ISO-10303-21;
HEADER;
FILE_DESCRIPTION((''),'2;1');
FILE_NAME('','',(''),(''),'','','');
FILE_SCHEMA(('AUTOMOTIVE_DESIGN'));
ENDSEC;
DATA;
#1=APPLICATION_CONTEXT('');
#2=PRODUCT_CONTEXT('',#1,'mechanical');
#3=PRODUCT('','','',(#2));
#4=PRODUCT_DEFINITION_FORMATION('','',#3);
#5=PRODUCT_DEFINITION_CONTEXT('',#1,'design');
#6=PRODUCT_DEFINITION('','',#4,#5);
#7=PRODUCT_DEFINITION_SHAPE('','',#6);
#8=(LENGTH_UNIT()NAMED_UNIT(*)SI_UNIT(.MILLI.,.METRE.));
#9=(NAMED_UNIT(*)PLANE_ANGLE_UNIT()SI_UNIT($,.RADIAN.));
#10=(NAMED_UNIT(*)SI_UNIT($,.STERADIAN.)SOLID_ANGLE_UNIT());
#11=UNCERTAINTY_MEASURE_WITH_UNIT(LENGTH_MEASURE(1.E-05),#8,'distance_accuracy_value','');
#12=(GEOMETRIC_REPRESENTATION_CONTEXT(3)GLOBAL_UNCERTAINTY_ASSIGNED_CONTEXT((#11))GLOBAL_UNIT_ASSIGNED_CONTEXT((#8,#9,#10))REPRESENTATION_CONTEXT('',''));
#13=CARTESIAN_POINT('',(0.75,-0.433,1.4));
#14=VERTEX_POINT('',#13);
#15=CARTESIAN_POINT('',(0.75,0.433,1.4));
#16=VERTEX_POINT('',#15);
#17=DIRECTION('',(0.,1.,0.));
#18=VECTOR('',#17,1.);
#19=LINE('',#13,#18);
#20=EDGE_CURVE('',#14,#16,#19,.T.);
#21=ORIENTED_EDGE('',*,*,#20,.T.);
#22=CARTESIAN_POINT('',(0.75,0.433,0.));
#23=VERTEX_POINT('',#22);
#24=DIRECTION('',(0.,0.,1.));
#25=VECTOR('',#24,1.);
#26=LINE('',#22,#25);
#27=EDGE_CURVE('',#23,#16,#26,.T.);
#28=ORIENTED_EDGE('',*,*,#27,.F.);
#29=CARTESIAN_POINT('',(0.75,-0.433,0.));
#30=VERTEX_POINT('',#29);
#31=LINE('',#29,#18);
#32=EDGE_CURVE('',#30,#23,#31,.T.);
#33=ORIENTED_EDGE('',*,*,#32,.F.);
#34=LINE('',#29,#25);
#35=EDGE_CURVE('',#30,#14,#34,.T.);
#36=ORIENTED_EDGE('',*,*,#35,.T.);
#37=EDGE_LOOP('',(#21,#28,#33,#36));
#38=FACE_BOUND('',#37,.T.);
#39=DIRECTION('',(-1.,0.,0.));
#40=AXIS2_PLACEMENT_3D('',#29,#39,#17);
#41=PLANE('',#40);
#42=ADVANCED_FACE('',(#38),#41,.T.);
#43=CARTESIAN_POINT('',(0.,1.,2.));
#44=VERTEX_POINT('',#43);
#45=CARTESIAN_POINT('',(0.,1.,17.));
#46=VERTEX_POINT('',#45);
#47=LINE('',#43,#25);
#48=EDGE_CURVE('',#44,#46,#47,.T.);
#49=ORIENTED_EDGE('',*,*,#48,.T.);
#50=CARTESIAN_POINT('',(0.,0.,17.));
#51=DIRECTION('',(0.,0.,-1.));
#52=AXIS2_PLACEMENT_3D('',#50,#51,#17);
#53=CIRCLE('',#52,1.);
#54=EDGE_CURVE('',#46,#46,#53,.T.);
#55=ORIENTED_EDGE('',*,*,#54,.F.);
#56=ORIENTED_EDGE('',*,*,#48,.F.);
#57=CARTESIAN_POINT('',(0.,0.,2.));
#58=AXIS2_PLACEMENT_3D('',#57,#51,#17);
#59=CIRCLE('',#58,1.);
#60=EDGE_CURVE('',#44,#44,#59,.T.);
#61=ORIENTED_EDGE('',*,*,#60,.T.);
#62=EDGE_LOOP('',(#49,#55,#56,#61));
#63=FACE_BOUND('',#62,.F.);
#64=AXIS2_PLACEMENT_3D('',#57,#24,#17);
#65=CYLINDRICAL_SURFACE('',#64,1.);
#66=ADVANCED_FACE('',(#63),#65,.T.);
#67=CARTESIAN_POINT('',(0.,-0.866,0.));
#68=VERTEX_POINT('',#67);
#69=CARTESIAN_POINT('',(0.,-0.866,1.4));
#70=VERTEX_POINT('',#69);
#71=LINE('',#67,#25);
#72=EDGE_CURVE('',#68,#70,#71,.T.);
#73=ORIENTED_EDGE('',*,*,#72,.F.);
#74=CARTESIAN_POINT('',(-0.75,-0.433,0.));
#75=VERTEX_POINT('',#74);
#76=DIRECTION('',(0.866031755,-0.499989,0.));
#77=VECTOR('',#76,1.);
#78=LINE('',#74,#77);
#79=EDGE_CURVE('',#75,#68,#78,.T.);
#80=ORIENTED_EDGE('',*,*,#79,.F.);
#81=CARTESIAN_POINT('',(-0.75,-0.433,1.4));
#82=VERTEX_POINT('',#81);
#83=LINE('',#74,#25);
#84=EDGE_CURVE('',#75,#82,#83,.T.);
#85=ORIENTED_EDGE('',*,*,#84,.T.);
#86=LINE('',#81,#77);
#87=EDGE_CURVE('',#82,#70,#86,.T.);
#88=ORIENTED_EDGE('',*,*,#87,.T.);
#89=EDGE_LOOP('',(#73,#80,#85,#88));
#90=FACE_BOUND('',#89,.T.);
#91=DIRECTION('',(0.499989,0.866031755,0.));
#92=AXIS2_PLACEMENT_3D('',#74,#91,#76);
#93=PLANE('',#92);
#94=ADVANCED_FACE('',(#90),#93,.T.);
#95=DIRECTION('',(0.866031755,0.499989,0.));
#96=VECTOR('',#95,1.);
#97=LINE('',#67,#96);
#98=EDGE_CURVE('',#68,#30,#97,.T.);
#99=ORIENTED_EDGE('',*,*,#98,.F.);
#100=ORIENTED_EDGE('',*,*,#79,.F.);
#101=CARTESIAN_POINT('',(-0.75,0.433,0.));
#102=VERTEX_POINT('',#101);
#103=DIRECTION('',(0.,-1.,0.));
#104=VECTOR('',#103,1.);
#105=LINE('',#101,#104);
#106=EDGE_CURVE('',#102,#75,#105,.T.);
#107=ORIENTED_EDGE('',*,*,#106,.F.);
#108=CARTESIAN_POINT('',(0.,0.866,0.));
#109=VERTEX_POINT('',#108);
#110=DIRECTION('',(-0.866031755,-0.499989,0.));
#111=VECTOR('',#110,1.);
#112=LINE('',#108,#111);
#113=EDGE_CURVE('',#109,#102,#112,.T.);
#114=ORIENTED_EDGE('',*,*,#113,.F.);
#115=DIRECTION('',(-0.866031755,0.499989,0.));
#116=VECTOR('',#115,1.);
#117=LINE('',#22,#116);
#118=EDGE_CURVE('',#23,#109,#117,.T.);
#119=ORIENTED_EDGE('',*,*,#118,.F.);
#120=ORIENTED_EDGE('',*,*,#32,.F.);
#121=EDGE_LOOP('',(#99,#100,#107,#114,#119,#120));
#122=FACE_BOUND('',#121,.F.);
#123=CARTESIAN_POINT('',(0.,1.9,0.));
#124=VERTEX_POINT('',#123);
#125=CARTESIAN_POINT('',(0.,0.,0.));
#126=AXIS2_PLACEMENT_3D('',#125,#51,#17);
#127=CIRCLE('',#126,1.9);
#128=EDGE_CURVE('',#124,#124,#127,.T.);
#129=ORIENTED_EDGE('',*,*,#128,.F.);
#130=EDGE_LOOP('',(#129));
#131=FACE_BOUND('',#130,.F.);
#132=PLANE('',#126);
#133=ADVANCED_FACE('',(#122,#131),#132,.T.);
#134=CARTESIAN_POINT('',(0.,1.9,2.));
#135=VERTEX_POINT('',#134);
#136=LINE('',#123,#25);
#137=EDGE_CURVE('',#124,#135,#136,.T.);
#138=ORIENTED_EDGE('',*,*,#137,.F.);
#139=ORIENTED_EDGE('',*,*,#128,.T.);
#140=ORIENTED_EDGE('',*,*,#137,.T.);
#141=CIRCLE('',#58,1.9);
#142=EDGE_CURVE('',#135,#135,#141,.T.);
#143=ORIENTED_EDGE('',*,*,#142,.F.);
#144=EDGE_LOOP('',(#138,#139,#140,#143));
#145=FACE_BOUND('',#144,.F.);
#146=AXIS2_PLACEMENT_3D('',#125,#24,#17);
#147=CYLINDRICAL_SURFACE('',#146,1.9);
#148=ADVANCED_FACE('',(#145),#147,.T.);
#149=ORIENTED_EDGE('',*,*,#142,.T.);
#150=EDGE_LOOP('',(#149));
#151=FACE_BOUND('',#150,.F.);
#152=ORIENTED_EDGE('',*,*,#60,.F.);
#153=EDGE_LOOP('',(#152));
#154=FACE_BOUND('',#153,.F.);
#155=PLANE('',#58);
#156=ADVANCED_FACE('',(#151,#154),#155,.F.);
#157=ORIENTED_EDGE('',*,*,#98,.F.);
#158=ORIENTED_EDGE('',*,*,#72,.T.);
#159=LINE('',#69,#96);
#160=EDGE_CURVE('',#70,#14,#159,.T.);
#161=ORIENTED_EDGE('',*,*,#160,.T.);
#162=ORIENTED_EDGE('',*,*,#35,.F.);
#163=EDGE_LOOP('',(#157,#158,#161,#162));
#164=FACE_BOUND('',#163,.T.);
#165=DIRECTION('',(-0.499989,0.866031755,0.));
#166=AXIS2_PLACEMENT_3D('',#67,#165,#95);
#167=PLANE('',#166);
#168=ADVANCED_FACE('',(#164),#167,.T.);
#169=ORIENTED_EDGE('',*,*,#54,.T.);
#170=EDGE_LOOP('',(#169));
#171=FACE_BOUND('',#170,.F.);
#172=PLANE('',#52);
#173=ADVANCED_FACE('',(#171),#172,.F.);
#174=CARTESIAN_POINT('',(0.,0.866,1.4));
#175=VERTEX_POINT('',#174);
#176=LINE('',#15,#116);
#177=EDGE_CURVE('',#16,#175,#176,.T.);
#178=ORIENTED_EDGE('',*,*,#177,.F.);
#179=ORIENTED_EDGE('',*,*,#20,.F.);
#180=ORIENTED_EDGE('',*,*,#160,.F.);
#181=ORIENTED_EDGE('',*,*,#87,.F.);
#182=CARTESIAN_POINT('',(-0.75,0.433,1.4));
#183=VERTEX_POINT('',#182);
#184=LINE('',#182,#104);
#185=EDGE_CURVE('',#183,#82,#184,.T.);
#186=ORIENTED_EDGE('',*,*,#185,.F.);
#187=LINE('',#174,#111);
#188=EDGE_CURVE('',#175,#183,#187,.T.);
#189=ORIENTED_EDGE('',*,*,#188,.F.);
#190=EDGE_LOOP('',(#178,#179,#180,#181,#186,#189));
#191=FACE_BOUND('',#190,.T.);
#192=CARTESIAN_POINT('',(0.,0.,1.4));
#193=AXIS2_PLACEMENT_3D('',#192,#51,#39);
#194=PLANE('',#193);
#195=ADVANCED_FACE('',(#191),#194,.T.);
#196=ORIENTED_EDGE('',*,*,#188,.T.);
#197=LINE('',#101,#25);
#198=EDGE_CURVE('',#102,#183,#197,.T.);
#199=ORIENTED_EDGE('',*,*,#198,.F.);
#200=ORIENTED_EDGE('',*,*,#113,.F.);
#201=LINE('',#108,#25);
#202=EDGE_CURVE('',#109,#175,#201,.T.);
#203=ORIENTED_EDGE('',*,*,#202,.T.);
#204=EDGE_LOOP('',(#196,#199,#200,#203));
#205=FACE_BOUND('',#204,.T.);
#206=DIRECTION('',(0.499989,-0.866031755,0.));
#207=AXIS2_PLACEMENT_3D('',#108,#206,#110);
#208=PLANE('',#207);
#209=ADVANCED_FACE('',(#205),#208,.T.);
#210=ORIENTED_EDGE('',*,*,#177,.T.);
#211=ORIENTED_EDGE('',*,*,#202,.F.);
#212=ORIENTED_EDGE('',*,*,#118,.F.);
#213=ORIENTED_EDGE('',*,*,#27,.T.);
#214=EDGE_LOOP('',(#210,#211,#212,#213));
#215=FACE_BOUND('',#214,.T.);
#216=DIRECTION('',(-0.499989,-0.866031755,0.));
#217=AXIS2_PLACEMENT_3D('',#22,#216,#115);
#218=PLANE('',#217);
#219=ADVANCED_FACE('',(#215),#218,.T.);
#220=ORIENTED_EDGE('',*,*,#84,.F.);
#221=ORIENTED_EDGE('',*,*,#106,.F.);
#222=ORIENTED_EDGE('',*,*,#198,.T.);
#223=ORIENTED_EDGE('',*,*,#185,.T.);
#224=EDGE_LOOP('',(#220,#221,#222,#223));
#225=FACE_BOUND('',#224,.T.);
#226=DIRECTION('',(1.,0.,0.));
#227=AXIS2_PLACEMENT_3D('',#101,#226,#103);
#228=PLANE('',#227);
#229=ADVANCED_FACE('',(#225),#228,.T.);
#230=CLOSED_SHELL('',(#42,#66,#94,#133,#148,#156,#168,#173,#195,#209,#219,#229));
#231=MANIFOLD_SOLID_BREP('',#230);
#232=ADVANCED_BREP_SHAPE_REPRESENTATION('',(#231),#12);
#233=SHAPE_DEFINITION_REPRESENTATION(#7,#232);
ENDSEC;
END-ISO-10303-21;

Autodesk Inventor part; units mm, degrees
ref_plane "YZ Plane" through (0, 0, 0) normal (1, 0, 0) x (0, 1, 0)
ref_plane "XZ Plane" through (0, 0, 0) normal (0, 1, 0) x (-1, 0, 0)
ref_plane "XY Plane" through (0, 0, 0) normal (0, 0, 1) x (1, 0, 0)
sketch "スケッチ1" plane through (0, 0, 0) normal (1, 0, 0) x (0, 1, 0)
  line L0 (0, 17) -> (0, 0)
  line L1 (0, 0) -> (1.9, 0)
  line L2 (1.9, 0) -> (1.9, 2)
  line L3 (1.9, 2) -> (1, 2)
  line L4 (1, 2) -> (1, 17)
  line L5 (1, 17) -> (0, 17)
  dimension "d1" = 1
  dimension "d2" = 2
  dimension "d3" = 1.9
  dimension "d10" = 15
revolve "回転1" add sketch "スケッチ1" angle 360 about axis through (0, 0, 17) along (0, 0, -1)
thread "ねじ1" size "M2x0.4" class "6g" standard "ANSI Metric M Profile" full length
sketch "スケッチ2" plane through (0, 0, 0) normal (0, 0, -1) x (-1, 0, 0)
  line L0 (0, 0.866) -> (0.75, 0.433)
  line L1 (0.75, 0.433) -> (0.75, -0.433)
  line L2 (0.75, -0.433) -> (0, -0.866)
  line L3 (0, -0.866) -> (-0.75, -0.433)
  line L4 (-0.75, -0.433) -> (-0.75, 0.433)
  line L5 (-0.75, 0.433) -> (0, 0.866)
  line L6 (0, 1.9) -> (0, -1.9) construction
  point P0 (0, 0)
  point P1 (0, 0)
  dimension "d7" = 1.5
extrude "押し出し1" cut sketch "スケッチ2" against normal blind 1.4
properties part number "M2-15" material "ステンレス鋼 AISI 304"
